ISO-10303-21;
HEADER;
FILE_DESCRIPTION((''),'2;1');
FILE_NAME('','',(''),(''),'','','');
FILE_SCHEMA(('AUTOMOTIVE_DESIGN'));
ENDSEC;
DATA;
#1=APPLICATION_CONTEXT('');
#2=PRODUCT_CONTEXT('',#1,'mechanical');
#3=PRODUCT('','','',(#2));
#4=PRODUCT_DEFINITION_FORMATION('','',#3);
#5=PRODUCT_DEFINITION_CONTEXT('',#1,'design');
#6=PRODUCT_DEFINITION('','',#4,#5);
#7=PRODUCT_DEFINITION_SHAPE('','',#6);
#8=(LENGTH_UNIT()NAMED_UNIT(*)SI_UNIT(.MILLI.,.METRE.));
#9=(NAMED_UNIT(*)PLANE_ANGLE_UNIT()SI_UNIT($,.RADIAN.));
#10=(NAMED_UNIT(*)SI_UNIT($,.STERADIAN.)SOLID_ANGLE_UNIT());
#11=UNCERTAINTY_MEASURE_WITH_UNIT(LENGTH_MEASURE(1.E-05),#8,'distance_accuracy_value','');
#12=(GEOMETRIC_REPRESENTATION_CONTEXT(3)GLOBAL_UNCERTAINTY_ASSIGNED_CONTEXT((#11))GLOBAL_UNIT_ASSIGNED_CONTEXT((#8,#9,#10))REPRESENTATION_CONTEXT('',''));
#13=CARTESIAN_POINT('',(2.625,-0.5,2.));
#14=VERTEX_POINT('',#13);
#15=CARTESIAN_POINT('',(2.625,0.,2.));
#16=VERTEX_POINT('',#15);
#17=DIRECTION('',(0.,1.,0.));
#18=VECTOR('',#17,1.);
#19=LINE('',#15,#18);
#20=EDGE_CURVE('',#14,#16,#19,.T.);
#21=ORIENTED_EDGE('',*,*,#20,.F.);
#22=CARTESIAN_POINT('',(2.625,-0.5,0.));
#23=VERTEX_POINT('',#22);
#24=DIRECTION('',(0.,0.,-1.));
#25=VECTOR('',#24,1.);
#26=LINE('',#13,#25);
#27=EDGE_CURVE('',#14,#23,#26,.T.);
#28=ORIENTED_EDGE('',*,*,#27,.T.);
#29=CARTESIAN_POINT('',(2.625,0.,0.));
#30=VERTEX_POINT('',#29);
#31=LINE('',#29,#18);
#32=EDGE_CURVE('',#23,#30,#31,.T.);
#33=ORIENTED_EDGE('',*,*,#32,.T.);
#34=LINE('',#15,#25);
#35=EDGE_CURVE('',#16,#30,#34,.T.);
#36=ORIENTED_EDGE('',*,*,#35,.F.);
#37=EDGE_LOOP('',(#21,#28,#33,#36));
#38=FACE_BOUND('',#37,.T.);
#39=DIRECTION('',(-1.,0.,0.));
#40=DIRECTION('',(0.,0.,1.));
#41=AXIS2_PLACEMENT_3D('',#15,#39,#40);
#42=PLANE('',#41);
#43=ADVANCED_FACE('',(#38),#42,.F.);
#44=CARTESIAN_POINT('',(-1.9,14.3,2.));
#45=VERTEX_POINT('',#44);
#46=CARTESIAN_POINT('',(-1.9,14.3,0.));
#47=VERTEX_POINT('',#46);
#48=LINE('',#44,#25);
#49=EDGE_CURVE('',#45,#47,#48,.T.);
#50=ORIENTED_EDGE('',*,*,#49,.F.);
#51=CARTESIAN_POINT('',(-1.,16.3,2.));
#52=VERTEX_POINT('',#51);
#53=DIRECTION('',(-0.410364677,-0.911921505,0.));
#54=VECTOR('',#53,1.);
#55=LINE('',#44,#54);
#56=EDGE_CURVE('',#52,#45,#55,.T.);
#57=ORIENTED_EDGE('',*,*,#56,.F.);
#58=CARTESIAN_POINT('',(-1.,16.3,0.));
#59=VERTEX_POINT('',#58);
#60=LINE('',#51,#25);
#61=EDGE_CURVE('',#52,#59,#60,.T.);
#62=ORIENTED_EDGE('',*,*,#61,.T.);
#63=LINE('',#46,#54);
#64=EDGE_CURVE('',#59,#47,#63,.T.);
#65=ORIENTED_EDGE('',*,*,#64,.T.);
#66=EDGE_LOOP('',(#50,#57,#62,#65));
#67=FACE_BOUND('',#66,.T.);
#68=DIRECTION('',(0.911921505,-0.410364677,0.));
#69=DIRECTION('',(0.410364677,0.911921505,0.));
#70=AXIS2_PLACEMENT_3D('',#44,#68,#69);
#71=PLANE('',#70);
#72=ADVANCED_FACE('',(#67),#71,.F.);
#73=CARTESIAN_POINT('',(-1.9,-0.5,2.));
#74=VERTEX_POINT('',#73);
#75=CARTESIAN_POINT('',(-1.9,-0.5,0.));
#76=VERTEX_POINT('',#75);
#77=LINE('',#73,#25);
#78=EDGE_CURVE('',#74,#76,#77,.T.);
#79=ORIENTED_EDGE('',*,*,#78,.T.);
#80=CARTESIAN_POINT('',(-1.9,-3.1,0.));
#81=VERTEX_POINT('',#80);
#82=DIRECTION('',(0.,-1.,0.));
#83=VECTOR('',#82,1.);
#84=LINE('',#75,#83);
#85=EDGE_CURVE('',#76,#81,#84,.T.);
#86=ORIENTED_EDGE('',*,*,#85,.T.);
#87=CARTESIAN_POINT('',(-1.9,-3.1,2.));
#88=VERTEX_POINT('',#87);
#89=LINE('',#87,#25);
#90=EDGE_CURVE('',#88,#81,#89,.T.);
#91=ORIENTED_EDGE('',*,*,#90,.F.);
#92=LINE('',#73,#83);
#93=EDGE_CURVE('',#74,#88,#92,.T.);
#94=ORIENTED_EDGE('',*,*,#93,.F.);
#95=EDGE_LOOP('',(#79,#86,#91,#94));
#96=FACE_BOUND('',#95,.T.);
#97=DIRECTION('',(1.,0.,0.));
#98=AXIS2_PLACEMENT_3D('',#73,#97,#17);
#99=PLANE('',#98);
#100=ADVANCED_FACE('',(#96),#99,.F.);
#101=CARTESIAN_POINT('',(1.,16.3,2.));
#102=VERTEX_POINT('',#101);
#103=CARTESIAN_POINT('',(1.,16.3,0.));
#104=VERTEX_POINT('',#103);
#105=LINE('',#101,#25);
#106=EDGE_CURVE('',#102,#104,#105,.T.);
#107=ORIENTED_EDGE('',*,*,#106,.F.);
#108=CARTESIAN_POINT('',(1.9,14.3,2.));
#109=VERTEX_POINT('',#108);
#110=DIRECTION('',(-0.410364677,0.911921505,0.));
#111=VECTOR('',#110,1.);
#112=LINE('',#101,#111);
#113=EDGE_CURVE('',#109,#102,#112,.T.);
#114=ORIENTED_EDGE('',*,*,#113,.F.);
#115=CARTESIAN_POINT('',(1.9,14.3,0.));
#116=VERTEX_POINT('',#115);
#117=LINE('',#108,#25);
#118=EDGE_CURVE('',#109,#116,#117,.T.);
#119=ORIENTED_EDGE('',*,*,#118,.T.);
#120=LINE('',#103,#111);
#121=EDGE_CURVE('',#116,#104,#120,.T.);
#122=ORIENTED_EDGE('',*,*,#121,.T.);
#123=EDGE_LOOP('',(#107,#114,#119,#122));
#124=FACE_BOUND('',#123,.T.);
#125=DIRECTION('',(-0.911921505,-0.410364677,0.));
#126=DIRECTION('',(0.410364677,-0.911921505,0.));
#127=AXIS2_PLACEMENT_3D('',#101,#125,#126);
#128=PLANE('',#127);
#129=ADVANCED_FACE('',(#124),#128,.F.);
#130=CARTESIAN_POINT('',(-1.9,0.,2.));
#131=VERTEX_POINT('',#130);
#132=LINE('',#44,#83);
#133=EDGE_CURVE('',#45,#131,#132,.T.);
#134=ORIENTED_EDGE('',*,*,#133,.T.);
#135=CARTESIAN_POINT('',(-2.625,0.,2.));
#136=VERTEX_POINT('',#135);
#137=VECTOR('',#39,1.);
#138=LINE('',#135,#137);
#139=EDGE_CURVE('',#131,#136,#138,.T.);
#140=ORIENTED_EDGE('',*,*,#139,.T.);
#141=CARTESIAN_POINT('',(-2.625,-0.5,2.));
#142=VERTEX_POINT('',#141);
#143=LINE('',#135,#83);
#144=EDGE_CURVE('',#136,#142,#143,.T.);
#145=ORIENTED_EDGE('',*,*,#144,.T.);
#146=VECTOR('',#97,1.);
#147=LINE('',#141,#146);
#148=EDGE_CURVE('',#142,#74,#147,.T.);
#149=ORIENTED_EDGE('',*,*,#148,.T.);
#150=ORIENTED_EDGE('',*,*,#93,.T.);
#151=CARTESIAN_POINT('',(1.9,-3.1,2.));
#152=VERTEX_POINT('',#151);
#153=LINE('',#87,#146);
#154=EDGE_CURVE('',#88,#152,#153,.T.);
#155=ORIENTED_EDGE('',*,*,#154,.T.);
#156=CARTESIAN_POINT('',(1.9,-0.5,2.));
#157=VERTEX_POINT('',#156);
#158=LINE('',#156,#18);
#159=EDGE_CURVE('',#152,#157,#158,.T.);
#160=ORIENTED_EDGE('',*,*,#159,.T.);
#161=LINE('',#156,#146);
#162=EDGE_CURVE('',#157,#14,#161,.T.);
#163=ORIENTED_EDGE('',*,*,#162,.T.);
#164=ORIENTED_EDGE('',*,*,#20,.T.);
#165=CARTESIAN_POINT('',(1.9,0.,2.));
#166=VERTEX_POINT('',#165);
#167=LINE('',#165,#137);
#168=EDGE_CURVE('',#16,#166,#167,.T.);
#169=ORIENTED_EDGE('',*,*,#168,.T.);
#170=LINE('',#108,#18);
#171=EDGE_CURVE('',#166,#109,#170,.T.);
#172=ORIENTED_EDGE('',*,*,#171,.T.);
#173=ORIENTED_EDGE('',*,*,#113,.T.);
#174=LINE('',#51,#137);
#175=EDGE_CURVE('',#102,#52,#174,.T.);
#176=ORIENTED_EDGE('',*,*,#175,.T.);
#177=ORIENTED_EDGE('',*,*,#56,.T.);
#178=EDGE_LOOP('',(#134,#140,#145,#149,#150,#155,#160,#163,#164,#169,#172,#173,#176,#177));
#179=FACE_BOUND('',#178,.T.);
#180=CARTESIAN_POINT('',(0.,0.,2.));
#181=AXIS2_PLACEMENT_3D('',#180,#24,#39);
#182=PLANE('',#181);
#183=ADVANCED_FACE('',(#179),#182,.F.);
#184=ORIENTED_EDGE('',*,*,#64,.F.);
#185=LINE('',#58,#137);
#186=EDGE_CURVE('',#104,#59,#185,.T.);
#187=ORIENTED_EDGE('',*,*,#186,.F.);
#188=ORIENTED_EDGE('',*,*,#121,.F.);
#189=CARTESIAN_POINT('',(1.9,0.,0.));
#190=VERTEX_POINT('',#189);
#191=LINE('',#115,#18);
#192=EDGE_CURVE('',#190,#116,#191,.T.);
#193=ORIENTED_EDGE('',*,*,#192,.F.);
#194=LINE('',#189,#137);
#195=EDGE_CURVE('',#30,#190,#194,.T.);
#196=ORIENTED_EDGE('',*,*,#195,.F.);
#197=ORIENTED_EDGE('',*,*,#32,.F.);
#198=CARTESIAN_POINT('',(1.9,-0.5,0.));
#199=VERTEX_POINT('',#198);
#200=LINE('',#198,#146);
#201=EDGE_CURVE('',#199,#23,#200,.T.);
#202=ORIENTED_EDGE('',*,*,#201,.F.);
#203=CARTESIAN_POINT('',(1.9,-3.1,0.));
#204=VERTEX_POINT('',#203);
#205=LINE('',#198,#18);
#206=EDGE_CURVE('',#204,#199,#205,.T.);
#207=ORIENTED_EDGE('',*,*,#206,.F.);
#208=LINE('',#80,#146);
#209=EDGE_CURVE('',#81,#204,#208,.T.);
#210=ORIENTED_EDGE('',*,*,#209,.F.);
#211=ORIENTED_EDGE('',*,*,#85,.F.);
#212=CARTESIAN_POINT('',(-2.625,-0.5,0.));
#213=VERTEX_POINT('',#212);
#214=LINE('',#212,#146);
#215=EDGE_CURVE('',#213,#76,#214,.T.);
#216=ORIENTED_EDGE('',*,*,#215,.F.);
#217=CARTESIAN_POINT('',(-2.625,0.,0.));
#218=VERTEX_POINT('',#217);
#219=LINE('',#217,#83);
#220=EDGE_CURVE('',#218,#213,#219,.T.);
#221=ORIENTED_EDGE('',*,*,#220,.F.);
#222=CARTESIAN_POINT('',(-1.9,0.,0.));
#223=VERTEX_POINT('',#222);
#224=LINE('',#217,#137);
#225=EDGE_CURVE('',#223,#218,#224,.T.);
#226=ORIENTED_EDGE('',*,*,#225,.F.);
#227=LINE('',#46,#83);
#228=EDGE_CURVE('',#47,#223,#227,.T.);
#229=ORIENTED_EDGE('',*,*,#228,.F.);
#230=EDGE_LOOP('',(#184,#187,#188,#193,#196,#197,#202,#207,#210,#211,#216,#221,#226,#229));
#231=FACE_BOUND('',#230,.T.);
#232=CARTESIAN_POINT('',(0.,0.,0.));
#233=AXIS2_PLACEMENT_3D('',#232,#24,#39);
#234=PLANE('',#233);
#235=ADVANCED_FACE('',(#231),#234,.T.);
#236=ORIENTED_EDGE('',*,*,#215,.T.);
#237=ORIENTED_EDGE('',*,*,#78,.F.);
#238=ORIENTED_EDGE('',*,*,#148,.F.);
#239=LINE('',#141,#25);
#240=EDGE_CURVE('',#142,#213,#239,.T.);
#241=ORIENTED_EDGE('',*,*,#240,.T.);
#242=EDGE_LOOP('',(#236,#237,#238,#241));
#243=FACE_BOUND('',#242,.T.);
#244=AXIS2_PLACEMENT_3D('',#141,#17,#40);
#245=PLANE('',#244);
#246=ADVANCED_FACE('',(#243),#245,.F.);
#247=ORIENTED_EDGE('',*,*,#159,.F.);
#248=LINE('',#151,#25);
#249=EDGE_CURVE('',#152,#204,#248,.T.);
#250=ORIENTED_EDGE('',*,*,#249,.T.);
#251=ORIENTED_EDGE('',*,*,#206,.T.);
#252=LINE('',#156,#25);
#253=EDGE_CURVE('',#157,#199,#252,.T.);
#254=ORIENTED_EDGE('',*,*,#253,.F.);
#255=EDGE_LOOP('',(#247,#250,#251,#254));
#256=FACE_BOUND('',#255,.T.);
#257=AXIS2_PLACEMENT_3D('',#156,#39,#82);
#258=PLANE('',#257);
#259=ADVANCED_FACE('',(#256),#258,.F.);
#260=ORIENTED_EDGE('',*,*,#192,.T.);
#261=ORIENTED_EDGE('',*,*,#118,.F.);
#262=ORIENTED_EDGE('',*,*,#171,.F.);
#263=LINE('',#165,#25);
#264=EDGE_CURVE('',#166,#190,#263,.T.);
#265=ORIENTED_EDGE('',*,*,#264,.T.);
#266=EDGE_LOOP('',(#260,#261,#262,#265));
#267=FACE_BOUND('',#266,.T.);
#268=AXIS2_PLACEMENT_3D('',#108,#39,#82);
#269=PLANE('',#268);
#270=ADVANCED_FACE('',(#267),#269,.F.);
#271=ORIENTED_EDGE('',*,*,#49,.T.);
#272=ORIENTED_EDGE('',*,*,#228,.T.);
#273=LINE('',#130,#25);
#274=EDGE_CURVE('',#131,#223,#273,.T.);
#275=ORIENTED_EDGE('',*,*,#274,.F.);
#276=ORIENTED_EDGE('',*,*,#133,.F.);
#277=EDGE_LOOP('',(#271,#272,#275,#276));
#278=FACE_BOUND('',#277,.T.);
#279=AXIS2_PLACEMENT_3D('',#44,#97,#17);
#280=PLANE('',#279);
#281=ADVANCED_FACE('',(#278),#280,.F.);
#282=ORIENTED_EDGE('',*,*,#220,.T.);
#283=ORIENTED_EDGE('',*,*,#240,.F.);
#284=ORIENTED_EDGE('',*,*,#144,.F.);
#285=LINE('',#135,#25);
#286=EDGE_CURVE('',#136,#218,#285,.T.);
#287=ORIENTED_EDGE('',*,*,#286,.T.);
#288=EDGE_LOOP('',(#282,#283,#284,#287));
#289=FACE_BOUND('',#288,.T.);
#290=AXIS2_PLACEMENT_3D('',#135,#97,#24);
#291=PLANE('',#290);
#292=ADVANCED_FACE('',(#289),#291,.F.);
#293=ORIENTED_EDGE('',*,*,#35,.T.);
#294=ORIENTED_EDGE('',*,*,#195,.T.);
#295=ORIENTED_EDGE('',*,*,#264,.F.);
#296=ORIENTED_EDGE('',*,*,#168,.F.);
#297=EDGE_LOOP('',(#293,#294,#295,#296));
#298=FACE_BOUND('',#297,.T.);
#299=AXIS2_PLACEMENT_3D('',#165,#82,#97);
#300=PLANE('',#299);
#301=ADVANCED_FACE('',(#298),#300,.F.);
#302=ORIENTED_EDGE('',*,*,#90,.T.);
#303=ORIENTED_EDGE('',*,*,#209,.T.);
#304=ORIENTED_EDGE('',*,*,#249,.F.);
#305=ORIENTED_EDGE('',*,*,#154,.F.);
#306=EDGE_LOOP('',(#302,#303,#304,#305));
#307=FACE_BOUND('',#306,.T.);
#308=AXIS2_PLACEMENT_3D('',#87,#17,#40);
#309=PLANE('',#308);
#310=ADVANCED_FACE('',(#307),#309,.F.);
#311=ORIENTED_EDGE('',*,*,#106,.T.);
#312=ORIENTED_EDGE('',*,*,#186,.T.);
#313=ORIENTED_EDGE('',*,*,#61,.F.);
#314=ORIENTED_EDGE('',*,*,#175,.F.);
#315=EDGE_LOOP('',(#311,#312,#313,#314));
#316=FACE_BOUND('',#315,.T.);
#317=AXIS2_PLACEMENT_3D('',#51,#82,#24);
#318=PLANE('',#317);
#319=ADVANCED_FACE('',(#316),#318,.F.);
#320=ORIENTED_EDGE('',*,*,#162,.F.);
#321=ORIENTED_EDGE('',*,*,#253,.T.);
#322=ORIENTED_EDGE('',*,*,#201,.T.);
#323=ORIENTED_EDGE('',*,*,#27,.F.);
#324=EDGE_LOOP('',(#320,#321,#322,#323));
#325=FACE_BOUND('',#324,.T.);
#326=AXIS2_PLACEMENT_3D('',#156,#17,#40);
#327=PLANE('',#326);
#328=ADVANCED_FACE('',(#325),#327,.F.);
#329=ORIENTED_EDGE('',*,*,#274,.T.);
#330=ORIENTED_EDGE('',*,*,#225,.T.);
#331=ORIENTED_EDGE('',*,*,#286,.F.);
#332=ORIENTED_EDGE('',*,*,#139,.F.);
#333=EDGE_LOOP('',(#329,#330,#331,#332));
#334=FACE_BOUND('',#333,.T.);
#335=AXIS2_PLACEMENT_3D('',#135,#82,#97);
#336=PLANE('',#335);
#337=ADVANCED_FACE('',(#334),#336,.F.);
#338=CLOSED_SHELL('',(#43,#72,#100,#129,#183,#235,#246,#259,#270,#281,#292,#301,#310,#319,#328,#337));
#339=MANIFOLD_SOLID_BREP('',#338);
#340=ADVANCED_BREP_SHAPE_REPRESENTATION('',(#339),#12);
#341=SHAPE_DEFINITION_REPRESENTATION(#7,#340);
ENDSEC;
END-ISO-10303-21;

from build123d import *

# Parameters (mm, degrees)
BOSS_EXTRUDE1_DEPTH = 2


with BuildPart() as part:
    # Sketch1 → Boss-Extrude1 (new body)
    with BuildSketch(Plane.XY):
        Polygon((1.9, 0), (2.625, 0), (2.625, -0.5), (1.9, -0.5), (1.9, -3.1), (-1.9, -3.1), (-1.9, -0.5), (-2.625, -0.5), (-2.625, 0), (-1.9, 0), (-1.9, 14.3), (-1, 16.3), (1, 16.3), (1.9, 14.3), align=None)
    extrude(amount=BOSS_EXTRUDE1_DEPTH)


solid = part.part
